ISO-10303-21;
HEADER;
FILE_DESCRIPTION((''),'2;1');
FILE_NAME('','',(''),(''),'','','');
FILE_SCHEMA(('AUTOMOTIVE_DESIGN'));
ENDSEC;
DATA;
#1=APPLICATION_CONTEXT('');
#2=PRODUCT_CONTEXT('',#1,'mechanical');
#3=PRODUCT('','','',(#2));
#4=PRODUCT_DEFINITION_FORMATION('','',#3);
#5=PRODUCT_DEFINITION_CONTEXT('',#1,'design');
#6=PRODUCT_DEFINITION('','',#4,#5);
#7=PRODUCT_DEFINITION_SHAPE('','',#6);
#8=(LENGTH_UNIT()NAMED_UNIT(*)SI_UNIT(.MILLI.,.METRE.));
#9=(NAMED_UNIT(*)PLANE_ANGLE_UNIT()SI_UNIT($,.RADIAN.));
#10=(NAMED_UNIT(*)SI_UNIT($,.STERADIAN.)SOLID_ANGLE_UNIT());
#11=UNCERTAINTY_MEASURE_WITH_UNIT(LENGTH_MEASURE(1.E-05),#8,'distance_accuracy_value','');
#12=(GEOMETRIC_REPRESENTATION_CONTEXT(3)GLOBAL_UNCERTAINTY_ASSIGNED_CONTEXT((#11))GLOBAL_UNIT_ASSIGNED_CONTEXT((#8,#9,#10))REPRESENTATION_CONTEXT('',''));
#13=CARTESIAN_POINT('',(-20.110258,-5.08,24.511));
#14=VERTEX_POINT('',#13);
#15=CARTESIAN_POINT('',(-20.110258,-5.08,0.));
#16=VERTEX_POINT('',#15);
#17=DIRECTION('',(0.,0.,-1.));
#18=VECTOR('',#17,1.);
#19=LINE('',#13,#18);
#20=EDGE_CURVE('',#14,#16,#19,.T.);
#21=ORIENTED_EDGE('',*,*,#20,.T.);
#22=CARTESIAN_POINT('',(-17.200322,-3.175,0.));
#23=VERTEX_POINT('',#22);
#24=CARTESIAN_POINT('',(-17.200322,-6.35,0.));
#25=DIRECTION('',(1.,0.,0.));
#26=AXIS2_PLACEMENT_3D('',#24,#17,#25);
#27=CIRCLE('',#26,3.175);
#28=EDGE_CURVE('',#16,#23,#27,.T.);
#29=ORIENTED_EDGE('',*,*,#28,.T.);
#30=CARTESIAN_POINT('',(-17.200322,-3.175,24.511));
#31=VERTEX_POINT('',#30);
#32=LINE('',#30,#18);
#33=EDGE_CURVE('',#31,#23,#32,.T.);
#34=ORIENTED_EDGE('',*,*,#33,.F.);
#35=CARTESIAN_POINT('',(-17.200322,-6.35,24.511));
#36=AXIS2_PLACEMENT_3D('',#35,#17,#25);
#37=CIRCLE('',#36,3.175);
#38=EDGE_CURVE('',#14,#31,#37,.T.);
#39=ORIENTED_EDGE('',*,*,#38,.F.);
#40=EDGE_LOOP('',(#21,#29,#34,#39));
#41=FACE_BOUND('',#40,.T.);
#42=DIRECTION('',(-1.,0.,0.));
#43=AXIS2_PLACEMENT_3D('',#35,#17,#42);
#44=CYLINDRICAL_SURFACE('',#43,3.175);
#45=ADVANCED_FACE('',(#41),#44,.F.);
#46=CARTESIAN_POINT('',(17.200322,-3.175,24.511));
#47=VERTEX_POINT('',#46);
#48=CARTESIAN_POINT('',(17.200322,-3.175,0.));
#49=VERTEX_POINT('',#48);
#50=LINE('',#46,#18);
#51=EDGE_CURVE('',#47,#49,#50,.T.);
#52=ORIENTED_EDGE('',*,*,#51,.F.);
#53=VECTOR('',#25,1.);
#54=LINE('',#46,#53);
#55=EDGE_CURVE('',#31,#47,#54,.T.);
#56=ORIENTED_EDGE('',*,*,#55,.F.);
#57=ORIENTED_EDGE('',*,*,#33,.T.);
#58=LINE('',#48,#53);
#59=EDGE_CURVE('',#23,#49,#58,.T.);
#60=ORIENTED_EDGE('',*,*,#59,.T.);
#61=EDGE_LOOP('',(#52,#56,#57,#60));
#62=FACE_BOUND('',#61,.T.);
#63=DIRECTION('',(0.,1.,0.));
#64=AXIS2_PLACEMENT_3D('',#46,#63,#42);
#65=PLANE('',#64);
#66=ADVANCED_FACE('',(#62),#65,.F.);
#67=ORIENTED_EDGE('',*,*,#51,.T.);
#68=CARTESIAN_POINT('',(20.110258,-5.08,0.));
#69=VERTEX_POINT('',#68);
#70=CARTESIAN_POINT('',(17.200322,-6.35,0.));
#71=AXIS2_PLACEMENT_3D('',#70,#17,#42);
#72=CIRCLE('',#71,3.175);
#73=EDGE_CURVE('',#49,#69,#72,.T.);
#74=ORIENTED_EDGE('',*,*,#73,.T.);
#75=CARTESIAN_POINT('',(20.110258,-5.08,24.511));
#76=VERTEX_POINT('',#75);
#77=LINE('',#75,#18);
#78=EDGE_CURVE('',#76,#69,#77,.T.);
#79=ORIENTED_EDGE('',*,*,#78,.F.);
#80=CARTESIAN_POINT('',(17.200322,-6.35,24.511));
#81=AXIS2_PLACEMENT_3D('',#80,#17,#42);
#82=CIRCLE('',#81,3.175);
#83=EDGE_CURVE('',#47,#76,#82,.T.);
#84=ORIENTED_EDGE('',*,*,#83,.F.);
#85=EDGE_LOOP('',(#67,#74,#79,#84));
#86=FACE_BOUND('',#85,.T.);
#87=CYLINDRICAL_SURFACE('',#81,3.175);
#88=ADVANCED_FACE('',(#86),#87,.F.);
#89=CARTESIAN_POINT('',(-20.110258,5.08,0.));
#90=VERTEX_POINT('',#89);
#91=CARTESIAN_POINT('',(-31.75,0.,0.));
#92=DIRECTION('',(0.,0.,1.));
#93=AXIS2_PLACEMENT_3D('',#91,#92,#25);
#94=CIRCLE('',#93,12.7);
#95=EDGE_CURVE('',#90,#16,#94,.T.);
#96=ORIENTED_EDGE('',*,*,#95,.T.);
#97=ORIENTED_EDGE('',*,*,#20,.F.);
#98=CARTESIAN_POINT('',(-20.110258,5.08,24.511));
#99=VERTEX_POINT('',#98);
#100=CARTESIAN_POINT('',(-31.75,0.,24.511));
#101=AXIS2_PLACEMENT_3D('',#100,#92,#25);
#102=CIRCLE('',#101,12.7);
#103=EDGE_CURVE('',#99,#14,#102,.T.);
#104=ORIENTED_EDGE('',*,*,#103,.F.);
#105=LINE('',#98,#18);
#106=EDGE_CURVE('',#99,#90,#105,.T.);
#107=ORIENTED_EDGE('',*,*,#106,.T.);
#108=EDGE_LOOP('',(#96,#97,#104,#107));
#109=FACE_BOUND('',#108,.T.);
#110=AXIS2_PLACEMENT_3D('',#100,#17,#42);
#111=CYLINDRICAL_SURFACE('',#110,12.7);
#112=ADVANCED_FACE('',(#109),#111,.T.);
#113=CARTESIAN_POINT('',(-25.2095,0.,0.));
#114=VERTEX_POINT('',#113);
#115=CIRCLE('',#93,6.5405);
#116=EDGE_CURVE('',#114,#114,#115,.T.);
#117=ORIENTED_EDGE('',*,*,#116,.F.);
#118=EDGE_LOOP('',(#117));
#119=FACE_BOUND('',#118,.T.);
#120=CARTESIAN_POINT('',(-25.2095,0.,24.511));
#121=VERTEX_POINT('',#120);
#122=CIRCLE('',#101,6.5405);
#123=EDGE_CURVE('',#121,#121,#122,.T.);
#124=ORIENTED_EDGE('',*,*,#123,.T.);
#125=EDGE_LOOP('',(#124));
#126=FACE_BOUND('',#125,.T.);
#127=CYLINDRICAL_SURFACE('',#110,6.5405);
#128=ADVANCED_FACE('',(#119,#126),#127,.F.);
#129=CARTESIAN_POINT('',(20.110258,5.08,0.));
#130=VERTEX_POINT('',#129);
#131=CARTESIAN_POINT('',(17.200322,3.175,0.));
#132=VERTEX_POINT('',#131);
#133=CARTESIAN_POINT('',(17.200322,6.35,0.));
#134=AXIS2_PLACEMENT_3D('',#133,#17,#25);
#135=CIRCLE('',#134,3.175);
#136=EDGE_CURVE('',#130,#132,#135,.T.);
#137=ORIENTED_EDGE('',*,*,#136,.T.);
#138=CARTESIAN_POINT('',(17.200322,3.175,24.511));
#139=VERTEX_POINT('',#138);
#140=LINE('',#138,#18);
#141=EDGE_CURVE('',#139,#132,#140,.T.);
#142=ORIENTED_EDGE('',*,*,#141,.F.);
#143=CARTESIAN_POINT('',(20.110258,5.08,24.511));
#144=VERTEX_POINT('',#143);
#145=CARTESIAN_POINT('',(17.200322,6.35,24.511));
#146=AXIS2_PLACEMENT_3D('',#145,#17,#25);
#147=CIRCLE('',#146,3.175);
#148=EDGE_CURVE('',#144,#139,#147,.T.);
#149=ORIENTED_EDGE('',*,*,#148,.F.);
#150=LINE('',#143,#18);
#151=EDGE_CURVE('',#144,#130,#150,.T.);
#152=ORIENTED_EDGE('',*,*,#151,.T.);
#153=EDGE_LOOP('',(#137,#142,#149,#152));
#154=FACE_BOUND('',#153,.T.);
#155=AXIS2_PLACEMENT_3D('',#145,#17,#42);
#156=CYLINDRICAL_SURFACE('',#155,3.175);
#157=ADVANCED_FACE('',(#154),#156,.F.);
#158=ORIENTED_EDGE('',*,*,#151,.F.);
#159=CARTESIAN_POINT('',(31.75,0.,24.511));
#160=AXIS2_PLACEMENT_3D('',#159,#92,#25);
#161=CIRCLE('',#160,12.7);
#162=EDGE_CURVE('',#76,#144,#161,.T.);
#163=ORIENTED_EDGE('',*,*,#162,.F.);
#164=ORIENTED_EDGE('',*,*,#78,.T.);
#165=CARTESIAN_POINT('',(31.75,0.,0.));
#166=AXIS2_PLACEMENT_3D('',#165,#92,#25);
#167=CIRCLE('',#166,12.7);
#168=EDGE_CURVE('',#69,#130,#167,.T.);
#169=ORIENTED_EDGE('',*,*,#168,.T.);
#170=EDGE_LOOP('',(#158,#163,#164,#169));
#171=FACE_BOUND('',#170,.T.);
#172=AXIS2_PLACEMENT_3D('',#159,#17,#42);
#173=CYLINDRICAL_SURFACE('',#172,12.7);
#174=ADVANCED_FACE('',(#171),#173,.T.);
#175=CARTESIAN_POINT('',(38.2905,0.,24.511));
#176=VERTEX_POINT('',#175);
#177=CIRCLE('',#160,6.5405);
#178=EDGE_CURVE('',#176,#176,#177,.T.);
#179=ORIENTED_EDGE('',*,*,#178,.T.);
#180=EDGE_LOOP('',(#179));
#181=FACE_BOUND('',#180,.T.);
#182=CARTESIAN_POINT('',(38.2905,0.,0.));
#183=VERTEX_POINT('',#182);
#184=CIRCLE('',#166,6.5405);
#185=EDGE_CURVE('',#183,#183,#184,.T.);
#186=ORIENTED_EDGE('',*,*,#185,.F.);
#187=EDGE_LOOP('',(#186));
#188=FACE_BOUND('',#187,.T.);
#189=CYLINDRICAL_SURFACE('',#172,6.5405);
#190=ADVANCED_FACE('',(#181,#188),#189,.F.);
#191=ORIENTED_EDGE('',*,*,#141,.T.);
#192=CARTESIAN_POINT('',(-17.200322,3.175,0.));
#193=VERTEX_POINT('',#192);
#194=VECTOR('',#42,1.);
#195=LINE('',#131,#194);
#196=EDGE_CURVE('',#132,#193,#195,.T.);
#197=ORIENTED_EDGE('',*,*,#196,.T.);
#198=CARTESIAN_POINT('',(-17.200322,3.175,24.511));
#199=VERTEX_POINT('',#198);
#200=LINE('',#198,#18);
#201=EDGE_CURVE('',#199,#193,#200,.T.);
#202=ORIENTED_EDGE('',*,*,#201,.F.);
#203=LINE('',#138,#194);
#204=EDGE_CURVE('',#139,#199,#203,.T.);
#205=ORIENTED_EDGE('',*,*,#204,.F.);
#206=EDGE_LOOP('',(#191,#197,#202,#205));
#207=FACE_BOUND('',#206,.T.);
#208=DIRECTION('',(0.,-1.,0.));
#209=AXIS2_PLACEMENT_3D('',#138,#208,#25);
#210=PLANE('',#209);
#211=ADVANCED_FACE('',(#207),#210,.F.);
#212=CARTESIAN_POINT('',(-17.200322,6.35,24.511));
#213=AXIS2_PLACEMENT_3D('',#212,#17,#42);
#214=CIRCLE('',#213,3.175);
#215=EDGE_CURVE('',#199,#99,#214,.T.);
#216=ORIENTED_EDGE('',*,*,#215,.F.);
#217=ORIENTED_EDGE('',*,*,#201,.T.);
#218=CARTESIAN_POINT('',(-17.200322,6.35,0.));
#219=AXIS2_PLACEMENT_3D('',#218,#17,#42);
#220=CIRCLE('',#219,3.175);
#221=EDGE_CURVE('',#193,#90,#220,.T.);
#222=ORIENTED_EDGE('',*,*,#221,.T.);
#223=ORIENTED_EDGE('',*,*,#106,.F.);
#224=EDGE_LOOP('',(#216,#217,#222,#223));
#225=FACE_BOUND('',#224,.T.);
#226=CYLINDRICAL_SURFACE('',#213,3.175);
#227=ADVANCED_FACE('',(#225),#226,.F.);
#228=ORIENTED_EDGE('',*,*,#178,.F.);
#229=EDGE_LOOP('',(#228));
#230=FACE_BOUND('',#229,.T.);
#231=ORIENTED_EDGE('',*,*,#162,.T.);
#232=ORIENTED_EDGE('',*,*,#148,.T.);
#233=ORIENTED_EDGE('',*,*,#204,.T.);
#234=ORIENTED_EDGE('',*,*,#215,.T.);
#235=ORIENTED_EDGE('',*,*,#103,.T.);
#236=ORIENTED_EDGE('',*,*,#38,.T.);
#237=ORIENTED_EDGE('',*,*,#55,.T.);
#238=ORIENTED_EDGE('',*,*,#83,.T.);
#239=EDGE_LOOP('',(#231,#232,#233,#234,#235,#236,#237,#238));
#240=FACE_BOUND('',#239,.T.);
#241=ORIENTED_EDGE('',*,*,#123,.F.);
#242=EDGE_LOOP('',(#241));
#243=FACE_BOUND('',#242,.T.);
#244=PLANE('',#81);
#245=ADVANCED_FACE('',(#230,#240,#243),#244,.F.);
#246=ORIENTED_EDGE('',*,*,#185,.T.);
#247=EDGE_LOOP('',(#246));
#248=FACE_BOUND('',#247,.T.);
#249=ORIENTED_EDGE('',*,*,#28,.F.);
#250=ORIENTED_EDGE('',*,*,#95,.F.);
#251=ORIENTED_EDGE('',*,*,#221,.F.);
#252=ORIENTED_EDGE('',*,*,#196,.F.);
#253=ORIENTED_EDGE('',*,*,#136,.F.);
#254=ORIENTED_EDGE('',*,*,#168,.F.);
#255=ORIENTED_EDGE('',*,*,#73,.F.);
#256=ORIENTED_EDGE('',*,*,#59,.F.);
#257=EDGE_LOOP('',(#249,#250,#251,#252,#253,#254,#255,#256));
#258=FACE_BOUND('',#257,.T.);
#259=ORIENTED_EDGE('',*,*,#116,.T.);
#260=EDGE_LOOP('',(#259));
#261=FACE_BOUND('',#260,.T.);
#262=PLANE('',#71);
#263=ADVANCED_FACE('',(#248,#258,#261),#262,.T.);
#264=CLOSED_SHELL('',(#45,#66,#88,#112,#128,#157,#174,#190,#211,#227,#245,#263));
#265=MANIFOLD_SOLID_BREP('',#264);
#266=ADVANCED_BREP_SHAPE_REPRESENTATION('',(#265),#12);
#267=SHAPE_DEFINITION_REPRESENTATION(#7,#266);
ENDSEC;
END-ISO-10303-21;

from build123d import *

# Parameters (mm, degrees)
SKETCH1_R          = 6.5405
BASE_EXTRUDE_DEPTH = 24.511


with BuildPart() as part:
    # Sketch1 → Base-Extrude (new body)
    with BuildSketch(Plane.XY):
        with BuildLine():
            Line((17.200322169, 3.175), (-17.200322169, 3.175))
            ThreePointArc((-17.200322169, 3.175), (-18.939341289, 3.693604416), (-20.110257735, 5.08))
            ThreePointArc((-20.110257735, 5.08), (-44.45, 0), (-20.110257735, -5.08))
            ThreePointArc((-20.110257735, -5.08), (-18.939341289, -3.693604416), (-17.200322169, -3.175))
            Line((-17.200322169, -3.175), (17.200322169, -3.175))
            ThreePointArc((17.200322169, -3.175), (18.939341289, -3.693604416), (20.110257735, -5.08))
            ThreePointArc((20.110257735, -5.08), (44.45, 0), (20.110257735, 5.08))
            ThreePointArc((20.110257735, 5.08), (18.939341289, 3.693604416), (17.200322169, 3.175))
        make_face()
        with Locations((31.75, 0)):
            Circle(SKETCH1_R, mode=Mode.SUBTRACT)
        with Locations((-31.75, 0)):
            Circle(SKETCH1_R, mode=Mode.SUBTRACT)
    extrude(amount=BASE_EXTRUDE_DEPTH)


solid = part.part
